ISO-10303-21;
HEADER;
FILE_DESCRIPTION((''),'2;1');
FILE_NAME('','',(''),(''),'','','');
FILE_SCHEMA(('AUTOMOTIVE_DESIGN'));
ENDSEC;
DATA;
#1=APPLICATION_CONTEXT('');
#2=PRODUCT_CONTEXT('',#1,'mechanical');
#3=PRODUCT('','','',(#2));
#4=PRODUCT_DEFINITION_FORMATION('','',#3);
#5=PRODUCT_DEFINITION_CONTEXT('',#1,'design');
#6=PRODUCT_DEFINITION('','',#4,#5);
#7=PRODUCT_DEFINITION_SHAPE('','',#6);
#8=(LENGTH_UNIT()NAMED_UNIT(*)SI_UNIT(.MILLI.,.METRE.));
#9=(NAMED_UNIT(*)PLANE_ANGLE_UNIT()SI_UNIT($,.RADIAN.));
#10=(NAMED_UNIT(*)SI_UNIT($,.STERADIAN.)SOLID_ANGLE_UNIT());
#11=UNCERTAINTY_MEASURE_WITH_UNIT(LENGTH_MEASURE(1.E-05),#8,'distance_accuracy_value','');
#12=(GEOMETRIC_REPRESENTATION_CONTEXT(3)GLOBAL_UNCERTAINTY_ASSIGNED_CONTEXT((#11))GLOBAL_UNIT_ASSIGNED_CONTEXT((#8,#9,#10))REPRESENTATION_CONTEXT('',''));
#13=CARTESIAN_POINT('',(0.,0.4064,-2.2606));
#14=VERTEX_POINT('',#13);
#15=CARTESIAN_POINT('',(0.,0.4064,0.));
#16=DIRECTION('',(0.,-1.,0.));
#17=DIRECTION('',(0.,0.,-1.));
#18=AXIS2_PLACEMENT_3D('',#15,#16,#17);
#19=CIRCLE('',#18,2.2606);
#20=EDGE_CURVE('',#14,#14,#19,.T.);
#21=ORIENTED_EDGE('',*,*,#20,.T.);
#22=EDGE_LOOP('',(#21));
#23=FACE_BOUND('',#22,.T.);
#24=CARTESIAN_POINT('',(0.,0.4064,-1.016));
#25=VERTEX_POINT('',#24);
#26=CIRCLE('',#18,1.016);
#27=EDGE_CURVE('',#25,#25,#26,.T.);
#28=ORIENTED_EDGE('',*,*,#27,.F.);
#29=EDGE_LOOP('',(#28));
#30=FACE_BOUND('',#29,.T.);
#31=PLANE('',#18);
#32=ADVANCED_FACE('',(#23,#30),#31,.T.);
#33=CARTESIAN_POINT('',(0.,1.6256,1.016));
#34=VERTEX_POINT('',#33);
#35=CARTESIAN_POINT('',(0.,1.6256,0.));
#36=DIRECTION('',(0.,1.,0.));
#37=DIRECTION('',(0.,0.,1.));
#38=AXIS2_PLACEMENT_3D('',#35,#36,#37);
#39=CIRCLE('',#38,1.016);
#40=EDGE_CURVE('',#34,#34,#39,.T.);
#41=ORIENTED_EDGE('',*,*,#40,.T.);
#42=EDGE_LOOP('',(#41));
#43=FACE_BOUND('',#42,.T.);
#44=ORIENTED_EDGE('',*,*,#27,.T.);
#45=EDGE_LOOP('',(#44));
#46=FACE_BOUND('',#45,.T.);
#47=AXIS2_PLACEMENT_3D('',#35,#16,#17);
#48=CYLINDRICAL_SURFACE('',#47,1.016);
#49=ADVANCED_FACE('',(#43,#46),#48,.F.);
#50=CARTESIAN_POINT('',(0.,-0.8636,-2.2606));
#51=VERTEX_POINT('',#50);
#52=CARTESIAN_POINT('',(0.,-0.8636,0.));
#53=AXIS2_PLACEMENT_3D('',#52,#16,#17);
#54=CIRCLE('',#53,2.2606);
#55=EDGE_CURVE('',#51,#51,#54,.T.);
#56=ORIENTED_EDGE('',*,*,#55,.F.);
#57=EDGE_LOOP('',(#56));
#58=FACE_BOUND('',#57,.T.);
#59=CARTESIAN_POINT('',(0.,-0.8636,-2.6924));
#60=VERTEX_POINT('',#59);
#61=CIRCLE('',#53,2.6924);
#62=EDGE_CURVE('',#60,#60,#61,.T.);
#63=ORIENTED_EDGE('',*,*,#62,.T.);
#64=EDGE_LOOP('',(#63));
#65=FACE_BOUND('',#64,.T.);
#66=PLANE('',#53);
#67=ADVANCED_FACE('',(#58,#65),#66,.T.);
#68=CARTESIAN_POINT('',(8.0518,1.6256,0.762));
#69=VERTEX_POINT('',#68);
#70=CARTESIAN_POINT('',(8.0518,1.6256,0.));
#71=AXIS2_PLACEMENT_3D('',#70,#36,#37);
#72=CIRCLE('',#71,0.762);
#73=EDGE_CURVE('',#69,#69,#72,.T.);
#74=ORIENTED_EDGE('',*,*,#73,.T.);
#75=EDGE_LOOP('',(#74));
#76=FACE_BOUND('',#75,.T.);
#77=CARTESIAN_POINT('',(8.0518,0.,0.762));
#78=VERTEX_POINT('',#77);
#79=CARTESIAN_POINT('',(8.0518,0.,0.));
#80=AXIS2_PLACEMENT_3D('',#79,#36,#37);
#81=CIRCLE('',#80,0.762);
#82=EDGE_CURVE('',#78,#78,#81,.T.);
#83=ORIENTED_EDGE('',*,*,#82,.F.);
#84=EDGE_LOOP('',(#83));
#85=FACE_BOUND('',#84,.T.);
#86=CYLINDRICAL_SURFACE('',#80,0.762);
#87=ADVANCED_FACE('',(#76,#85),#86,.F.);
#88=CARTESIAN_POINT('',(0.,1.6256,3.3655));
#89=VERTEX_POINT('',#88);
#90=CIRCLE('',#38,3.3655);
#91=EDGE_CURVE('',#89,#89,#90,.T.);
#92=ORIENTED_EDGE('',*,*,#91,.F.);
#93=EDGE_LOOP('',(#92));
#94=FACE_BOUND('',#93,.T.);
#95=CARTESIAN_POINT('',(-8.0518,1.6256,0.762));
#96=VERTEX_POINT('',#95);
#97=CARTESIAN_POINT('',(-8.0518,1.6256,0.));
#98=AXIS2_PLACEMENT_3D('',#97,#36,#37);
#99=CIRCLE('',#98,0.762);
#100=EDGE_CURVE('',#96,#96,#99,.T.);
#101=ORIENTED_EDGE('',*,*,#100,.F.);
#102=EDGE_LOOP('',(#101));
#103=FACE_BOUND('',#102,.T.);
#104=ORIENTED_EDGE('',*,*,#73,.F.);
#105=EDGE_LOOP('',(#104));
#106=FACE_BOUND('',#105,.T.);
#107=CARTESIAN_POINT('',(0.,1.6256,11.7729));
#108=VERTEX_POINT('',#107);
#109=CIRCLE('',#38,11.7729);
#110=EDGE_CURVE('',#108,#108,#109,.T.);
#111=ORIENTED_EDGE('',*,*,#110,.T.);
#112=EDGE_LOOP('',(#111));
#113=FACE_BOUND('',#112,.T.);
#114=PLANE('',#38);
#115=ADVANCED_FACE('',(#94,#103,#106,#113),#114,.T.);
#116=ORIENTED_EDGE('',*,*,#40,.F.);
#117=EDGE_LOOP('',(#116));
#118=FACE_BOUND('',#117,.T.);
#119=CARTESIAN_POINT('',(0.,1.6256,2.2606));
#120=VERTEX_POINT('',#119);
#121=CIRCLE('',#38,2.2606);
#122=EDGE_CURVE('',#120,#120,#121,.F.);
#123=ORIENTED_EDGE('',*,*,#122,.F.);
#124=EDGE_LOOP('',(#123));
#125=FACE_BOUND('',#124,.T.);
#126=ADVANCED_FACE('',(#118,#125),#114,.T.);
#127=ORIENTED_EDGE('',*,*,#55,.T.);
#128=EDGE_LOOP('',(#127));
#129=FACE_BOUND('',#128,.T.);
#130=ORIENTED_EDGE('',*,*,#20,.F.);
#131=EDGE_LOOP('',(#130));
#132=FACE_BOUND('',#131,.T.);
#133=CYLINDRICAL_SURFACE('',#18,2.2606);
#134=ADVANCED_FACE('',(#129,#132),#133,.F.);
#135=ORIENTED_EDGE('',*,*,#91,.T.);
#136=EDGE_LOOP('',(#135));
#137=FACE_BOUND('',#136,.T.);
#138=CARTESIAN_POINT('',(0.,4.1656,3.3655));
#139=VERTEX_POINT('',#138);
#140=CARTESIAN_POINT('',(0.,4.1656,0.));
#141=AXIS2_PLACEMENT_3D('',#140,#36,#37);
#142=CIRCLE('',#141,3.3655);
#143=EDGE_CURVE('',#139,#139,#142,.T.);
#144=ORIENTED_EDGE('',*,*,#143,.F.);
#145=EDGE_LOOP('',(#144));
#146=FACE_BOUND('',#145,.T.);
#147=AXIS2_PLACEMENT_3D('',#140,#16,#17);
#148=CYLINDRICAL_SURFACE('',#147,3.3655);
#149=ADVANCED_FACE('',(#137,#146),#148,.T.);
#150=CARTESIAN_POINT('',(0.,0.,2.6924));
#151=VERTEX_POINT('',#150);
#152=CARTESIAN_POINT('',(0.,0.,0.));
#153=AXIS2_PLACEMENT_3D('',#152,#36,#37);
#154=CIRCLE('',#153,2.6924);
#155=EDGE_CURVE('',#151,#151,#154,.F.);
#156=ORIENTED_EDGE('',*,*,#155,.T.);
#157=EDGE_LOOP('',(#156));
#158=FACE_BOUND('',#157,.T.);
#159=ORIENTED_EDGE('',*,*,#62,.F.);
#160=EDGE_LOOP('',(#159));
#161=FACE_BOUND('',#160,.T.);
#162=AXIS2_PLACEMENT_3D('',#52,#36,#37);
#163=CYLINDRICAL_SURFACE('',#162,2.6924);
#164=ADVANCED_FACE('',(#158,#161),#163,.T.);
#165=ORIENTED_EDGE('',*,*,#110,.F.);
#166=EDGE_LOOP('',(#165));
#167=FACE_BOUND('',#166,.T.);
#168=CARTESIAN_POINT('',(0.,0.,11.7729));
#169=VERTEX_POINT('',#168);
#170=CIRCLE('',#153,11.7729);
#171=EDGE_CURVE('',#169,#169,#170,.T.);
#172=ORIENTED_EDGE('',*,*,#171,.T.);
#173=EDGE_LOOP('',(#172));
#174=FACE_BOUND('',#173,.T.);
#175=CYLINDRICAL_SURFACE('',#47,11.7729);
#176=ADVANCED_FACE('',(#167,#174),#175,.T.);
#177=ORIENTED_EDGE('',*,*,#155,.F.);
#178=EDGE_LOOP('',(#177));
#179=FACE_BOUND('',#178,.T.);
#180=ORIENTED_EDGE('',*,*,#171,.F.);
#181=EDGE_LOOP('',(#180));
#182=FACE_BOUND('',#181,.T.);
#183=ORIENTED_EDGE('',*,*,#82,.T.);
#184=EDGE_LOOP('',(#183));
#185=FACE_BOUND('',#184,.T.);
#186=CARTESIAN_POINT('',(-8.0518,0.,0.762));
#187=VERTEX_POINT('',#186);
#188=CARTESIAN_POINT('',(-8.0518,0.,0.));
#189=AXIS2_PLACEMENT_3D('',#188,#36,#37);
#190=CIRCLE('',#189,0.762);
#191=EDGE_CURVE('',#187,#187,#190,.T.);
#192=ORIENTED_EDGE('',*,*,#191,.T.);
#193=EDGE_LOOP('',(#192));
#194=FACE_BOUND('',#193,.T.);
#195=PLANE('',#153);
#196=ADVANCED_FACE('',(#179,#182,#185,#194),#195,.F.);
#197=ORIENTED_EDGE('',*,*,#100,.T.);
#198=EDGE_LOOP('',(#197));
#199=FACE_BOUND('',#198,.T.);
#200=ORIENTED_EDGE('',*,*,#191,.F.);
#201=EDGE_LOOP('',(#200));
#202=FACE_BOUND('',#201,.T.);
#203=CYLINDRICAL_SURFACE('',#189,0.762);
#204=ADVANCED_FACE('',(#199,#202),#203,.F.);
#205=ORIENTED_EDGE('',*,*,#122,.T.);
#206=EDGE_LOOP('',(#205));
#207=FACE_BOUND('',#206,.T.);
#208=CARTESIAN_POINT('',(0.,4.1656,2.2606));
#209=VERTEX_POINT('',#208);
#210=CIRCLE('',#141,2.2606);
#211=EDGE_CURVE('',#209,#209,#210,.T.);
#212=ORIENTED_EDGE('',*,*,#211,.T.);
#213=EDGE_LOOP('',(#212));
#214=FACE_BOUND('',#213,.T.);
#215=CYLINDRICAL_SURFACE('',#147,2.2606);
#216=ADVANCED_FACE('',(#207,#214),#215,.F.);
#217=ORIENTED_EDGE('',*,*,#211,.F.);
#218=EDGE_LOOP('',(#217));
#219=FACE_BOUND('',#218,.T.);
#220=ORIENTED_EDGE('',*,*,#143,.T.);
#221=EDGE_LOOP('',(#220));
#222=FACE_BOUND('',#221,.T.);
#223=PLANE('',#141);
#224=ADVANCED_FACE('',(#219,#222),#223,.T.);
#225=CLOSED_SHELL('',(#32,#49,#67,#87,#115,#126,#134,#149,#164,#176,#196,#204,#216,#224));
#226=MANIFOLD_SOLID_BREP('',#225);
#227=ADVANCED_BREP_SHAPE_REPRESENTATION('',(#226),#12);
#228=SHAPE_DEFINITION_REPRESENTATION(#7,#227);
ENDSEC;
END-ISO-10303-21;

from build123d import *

# Parameters (mm, degrees)
SKETCH1_R           = 11.7729
SKETCH1_R_2         = 1.016
BOSS_EXTRUDE1_DEPTH = 1.6256
SKETCH2_R           = 0.762
CUT_EXTRUDE1_DEPTH  = 17.728566112
SKETCH3_R           = 3.3655
SKETCH3_R_2         = 2.2606
BOSS_EXTRUDE2_DEPTH = 2.54
SKETCH4_R           = 2.6924
BOSS_EXTRUDE3_DEPTH = 0.8636
SKETCH5_R           = 2.2606
CUT_EXTRUDE2_DEPTH  = 1.27


with BuildPart() as part:
    # Sketch1 → Boss-Extrude1 (new body)
    with BuildSketch(Plane(origin=(0, 0, 0), x_dir=(1, 0, 0), z_dir=(0, 1, 0))):
        with Locations(Location((0, 0, 0), (0, 0, 270))):
            Circle(SKETCH1_R)
        with Locations(Location((0, 0, 0), (0, 0, 270))):
            Circle(SKETCH1_R_2, mode=Mode.SUBTRACT)
    extrude(amount=BOSS_EXTRUDE1_DEPTH)

    # Sketch2 → Cut-Extrude1 (cut, through all)
    with BuildSketch(Plane(origin=(0, 1.6256, 0), x_dir=(1, 0, 0), z_dir=(0, 1, 0))):
        with Locations(Location((8.0518, 0, 0), (0, 0, 270))):
            Circle(SKETCH2_R)
        with Locations(Location((-8.0518, 0, 0), (0, 0, 270))):
            Circle(SKETCH2_R)
    extrude(amount=-CUT_EXTRUDE1_DEPTH, mode=Mode.SUBTRACT)

    # Sketch3 → Boss-Extrude2 (add)
    with BuildSketch(Plane(origin=(0, 1.6256, 0), x_dir=(1, 0, 0), z_dir=(0, 1, 0))):
        with Locations(Location((0, 0, 0), (0, 0, 270))):
            Circle(SKETCH3_R)
        with Locations(Location((0, 0, 0), (0, 0, 270))):
            Circle(SKETCH3_R_2, mode=Mode.SUBTRACT)
    extrude(amount=BOSS_EXTRUDE2_DEPTH)

    # Sketch4 → Boss-Extrude3 (add)
    with BuildSketch(Plane.XZ):
        with Locations(Location((0, 0, 0), (0, 0, 90))):
            Circle(SKETCH4_R)
    extrude(amount=BOSS_EXTRUDE3_DEPTH)

    # Sketch5 → Cut-Extrude2 (cut)
    with BuildSketch(Plane.XZ.offset(0.8636)):
        with Locations(Location((0, 0, 0), (0, 0, 90))):
            Circle(SKETCH5_R)
    extrude(amount=-CUT_EXTRUDE2_DEPTH, mode=Mode.SUBTRACT)


solid = part.part
